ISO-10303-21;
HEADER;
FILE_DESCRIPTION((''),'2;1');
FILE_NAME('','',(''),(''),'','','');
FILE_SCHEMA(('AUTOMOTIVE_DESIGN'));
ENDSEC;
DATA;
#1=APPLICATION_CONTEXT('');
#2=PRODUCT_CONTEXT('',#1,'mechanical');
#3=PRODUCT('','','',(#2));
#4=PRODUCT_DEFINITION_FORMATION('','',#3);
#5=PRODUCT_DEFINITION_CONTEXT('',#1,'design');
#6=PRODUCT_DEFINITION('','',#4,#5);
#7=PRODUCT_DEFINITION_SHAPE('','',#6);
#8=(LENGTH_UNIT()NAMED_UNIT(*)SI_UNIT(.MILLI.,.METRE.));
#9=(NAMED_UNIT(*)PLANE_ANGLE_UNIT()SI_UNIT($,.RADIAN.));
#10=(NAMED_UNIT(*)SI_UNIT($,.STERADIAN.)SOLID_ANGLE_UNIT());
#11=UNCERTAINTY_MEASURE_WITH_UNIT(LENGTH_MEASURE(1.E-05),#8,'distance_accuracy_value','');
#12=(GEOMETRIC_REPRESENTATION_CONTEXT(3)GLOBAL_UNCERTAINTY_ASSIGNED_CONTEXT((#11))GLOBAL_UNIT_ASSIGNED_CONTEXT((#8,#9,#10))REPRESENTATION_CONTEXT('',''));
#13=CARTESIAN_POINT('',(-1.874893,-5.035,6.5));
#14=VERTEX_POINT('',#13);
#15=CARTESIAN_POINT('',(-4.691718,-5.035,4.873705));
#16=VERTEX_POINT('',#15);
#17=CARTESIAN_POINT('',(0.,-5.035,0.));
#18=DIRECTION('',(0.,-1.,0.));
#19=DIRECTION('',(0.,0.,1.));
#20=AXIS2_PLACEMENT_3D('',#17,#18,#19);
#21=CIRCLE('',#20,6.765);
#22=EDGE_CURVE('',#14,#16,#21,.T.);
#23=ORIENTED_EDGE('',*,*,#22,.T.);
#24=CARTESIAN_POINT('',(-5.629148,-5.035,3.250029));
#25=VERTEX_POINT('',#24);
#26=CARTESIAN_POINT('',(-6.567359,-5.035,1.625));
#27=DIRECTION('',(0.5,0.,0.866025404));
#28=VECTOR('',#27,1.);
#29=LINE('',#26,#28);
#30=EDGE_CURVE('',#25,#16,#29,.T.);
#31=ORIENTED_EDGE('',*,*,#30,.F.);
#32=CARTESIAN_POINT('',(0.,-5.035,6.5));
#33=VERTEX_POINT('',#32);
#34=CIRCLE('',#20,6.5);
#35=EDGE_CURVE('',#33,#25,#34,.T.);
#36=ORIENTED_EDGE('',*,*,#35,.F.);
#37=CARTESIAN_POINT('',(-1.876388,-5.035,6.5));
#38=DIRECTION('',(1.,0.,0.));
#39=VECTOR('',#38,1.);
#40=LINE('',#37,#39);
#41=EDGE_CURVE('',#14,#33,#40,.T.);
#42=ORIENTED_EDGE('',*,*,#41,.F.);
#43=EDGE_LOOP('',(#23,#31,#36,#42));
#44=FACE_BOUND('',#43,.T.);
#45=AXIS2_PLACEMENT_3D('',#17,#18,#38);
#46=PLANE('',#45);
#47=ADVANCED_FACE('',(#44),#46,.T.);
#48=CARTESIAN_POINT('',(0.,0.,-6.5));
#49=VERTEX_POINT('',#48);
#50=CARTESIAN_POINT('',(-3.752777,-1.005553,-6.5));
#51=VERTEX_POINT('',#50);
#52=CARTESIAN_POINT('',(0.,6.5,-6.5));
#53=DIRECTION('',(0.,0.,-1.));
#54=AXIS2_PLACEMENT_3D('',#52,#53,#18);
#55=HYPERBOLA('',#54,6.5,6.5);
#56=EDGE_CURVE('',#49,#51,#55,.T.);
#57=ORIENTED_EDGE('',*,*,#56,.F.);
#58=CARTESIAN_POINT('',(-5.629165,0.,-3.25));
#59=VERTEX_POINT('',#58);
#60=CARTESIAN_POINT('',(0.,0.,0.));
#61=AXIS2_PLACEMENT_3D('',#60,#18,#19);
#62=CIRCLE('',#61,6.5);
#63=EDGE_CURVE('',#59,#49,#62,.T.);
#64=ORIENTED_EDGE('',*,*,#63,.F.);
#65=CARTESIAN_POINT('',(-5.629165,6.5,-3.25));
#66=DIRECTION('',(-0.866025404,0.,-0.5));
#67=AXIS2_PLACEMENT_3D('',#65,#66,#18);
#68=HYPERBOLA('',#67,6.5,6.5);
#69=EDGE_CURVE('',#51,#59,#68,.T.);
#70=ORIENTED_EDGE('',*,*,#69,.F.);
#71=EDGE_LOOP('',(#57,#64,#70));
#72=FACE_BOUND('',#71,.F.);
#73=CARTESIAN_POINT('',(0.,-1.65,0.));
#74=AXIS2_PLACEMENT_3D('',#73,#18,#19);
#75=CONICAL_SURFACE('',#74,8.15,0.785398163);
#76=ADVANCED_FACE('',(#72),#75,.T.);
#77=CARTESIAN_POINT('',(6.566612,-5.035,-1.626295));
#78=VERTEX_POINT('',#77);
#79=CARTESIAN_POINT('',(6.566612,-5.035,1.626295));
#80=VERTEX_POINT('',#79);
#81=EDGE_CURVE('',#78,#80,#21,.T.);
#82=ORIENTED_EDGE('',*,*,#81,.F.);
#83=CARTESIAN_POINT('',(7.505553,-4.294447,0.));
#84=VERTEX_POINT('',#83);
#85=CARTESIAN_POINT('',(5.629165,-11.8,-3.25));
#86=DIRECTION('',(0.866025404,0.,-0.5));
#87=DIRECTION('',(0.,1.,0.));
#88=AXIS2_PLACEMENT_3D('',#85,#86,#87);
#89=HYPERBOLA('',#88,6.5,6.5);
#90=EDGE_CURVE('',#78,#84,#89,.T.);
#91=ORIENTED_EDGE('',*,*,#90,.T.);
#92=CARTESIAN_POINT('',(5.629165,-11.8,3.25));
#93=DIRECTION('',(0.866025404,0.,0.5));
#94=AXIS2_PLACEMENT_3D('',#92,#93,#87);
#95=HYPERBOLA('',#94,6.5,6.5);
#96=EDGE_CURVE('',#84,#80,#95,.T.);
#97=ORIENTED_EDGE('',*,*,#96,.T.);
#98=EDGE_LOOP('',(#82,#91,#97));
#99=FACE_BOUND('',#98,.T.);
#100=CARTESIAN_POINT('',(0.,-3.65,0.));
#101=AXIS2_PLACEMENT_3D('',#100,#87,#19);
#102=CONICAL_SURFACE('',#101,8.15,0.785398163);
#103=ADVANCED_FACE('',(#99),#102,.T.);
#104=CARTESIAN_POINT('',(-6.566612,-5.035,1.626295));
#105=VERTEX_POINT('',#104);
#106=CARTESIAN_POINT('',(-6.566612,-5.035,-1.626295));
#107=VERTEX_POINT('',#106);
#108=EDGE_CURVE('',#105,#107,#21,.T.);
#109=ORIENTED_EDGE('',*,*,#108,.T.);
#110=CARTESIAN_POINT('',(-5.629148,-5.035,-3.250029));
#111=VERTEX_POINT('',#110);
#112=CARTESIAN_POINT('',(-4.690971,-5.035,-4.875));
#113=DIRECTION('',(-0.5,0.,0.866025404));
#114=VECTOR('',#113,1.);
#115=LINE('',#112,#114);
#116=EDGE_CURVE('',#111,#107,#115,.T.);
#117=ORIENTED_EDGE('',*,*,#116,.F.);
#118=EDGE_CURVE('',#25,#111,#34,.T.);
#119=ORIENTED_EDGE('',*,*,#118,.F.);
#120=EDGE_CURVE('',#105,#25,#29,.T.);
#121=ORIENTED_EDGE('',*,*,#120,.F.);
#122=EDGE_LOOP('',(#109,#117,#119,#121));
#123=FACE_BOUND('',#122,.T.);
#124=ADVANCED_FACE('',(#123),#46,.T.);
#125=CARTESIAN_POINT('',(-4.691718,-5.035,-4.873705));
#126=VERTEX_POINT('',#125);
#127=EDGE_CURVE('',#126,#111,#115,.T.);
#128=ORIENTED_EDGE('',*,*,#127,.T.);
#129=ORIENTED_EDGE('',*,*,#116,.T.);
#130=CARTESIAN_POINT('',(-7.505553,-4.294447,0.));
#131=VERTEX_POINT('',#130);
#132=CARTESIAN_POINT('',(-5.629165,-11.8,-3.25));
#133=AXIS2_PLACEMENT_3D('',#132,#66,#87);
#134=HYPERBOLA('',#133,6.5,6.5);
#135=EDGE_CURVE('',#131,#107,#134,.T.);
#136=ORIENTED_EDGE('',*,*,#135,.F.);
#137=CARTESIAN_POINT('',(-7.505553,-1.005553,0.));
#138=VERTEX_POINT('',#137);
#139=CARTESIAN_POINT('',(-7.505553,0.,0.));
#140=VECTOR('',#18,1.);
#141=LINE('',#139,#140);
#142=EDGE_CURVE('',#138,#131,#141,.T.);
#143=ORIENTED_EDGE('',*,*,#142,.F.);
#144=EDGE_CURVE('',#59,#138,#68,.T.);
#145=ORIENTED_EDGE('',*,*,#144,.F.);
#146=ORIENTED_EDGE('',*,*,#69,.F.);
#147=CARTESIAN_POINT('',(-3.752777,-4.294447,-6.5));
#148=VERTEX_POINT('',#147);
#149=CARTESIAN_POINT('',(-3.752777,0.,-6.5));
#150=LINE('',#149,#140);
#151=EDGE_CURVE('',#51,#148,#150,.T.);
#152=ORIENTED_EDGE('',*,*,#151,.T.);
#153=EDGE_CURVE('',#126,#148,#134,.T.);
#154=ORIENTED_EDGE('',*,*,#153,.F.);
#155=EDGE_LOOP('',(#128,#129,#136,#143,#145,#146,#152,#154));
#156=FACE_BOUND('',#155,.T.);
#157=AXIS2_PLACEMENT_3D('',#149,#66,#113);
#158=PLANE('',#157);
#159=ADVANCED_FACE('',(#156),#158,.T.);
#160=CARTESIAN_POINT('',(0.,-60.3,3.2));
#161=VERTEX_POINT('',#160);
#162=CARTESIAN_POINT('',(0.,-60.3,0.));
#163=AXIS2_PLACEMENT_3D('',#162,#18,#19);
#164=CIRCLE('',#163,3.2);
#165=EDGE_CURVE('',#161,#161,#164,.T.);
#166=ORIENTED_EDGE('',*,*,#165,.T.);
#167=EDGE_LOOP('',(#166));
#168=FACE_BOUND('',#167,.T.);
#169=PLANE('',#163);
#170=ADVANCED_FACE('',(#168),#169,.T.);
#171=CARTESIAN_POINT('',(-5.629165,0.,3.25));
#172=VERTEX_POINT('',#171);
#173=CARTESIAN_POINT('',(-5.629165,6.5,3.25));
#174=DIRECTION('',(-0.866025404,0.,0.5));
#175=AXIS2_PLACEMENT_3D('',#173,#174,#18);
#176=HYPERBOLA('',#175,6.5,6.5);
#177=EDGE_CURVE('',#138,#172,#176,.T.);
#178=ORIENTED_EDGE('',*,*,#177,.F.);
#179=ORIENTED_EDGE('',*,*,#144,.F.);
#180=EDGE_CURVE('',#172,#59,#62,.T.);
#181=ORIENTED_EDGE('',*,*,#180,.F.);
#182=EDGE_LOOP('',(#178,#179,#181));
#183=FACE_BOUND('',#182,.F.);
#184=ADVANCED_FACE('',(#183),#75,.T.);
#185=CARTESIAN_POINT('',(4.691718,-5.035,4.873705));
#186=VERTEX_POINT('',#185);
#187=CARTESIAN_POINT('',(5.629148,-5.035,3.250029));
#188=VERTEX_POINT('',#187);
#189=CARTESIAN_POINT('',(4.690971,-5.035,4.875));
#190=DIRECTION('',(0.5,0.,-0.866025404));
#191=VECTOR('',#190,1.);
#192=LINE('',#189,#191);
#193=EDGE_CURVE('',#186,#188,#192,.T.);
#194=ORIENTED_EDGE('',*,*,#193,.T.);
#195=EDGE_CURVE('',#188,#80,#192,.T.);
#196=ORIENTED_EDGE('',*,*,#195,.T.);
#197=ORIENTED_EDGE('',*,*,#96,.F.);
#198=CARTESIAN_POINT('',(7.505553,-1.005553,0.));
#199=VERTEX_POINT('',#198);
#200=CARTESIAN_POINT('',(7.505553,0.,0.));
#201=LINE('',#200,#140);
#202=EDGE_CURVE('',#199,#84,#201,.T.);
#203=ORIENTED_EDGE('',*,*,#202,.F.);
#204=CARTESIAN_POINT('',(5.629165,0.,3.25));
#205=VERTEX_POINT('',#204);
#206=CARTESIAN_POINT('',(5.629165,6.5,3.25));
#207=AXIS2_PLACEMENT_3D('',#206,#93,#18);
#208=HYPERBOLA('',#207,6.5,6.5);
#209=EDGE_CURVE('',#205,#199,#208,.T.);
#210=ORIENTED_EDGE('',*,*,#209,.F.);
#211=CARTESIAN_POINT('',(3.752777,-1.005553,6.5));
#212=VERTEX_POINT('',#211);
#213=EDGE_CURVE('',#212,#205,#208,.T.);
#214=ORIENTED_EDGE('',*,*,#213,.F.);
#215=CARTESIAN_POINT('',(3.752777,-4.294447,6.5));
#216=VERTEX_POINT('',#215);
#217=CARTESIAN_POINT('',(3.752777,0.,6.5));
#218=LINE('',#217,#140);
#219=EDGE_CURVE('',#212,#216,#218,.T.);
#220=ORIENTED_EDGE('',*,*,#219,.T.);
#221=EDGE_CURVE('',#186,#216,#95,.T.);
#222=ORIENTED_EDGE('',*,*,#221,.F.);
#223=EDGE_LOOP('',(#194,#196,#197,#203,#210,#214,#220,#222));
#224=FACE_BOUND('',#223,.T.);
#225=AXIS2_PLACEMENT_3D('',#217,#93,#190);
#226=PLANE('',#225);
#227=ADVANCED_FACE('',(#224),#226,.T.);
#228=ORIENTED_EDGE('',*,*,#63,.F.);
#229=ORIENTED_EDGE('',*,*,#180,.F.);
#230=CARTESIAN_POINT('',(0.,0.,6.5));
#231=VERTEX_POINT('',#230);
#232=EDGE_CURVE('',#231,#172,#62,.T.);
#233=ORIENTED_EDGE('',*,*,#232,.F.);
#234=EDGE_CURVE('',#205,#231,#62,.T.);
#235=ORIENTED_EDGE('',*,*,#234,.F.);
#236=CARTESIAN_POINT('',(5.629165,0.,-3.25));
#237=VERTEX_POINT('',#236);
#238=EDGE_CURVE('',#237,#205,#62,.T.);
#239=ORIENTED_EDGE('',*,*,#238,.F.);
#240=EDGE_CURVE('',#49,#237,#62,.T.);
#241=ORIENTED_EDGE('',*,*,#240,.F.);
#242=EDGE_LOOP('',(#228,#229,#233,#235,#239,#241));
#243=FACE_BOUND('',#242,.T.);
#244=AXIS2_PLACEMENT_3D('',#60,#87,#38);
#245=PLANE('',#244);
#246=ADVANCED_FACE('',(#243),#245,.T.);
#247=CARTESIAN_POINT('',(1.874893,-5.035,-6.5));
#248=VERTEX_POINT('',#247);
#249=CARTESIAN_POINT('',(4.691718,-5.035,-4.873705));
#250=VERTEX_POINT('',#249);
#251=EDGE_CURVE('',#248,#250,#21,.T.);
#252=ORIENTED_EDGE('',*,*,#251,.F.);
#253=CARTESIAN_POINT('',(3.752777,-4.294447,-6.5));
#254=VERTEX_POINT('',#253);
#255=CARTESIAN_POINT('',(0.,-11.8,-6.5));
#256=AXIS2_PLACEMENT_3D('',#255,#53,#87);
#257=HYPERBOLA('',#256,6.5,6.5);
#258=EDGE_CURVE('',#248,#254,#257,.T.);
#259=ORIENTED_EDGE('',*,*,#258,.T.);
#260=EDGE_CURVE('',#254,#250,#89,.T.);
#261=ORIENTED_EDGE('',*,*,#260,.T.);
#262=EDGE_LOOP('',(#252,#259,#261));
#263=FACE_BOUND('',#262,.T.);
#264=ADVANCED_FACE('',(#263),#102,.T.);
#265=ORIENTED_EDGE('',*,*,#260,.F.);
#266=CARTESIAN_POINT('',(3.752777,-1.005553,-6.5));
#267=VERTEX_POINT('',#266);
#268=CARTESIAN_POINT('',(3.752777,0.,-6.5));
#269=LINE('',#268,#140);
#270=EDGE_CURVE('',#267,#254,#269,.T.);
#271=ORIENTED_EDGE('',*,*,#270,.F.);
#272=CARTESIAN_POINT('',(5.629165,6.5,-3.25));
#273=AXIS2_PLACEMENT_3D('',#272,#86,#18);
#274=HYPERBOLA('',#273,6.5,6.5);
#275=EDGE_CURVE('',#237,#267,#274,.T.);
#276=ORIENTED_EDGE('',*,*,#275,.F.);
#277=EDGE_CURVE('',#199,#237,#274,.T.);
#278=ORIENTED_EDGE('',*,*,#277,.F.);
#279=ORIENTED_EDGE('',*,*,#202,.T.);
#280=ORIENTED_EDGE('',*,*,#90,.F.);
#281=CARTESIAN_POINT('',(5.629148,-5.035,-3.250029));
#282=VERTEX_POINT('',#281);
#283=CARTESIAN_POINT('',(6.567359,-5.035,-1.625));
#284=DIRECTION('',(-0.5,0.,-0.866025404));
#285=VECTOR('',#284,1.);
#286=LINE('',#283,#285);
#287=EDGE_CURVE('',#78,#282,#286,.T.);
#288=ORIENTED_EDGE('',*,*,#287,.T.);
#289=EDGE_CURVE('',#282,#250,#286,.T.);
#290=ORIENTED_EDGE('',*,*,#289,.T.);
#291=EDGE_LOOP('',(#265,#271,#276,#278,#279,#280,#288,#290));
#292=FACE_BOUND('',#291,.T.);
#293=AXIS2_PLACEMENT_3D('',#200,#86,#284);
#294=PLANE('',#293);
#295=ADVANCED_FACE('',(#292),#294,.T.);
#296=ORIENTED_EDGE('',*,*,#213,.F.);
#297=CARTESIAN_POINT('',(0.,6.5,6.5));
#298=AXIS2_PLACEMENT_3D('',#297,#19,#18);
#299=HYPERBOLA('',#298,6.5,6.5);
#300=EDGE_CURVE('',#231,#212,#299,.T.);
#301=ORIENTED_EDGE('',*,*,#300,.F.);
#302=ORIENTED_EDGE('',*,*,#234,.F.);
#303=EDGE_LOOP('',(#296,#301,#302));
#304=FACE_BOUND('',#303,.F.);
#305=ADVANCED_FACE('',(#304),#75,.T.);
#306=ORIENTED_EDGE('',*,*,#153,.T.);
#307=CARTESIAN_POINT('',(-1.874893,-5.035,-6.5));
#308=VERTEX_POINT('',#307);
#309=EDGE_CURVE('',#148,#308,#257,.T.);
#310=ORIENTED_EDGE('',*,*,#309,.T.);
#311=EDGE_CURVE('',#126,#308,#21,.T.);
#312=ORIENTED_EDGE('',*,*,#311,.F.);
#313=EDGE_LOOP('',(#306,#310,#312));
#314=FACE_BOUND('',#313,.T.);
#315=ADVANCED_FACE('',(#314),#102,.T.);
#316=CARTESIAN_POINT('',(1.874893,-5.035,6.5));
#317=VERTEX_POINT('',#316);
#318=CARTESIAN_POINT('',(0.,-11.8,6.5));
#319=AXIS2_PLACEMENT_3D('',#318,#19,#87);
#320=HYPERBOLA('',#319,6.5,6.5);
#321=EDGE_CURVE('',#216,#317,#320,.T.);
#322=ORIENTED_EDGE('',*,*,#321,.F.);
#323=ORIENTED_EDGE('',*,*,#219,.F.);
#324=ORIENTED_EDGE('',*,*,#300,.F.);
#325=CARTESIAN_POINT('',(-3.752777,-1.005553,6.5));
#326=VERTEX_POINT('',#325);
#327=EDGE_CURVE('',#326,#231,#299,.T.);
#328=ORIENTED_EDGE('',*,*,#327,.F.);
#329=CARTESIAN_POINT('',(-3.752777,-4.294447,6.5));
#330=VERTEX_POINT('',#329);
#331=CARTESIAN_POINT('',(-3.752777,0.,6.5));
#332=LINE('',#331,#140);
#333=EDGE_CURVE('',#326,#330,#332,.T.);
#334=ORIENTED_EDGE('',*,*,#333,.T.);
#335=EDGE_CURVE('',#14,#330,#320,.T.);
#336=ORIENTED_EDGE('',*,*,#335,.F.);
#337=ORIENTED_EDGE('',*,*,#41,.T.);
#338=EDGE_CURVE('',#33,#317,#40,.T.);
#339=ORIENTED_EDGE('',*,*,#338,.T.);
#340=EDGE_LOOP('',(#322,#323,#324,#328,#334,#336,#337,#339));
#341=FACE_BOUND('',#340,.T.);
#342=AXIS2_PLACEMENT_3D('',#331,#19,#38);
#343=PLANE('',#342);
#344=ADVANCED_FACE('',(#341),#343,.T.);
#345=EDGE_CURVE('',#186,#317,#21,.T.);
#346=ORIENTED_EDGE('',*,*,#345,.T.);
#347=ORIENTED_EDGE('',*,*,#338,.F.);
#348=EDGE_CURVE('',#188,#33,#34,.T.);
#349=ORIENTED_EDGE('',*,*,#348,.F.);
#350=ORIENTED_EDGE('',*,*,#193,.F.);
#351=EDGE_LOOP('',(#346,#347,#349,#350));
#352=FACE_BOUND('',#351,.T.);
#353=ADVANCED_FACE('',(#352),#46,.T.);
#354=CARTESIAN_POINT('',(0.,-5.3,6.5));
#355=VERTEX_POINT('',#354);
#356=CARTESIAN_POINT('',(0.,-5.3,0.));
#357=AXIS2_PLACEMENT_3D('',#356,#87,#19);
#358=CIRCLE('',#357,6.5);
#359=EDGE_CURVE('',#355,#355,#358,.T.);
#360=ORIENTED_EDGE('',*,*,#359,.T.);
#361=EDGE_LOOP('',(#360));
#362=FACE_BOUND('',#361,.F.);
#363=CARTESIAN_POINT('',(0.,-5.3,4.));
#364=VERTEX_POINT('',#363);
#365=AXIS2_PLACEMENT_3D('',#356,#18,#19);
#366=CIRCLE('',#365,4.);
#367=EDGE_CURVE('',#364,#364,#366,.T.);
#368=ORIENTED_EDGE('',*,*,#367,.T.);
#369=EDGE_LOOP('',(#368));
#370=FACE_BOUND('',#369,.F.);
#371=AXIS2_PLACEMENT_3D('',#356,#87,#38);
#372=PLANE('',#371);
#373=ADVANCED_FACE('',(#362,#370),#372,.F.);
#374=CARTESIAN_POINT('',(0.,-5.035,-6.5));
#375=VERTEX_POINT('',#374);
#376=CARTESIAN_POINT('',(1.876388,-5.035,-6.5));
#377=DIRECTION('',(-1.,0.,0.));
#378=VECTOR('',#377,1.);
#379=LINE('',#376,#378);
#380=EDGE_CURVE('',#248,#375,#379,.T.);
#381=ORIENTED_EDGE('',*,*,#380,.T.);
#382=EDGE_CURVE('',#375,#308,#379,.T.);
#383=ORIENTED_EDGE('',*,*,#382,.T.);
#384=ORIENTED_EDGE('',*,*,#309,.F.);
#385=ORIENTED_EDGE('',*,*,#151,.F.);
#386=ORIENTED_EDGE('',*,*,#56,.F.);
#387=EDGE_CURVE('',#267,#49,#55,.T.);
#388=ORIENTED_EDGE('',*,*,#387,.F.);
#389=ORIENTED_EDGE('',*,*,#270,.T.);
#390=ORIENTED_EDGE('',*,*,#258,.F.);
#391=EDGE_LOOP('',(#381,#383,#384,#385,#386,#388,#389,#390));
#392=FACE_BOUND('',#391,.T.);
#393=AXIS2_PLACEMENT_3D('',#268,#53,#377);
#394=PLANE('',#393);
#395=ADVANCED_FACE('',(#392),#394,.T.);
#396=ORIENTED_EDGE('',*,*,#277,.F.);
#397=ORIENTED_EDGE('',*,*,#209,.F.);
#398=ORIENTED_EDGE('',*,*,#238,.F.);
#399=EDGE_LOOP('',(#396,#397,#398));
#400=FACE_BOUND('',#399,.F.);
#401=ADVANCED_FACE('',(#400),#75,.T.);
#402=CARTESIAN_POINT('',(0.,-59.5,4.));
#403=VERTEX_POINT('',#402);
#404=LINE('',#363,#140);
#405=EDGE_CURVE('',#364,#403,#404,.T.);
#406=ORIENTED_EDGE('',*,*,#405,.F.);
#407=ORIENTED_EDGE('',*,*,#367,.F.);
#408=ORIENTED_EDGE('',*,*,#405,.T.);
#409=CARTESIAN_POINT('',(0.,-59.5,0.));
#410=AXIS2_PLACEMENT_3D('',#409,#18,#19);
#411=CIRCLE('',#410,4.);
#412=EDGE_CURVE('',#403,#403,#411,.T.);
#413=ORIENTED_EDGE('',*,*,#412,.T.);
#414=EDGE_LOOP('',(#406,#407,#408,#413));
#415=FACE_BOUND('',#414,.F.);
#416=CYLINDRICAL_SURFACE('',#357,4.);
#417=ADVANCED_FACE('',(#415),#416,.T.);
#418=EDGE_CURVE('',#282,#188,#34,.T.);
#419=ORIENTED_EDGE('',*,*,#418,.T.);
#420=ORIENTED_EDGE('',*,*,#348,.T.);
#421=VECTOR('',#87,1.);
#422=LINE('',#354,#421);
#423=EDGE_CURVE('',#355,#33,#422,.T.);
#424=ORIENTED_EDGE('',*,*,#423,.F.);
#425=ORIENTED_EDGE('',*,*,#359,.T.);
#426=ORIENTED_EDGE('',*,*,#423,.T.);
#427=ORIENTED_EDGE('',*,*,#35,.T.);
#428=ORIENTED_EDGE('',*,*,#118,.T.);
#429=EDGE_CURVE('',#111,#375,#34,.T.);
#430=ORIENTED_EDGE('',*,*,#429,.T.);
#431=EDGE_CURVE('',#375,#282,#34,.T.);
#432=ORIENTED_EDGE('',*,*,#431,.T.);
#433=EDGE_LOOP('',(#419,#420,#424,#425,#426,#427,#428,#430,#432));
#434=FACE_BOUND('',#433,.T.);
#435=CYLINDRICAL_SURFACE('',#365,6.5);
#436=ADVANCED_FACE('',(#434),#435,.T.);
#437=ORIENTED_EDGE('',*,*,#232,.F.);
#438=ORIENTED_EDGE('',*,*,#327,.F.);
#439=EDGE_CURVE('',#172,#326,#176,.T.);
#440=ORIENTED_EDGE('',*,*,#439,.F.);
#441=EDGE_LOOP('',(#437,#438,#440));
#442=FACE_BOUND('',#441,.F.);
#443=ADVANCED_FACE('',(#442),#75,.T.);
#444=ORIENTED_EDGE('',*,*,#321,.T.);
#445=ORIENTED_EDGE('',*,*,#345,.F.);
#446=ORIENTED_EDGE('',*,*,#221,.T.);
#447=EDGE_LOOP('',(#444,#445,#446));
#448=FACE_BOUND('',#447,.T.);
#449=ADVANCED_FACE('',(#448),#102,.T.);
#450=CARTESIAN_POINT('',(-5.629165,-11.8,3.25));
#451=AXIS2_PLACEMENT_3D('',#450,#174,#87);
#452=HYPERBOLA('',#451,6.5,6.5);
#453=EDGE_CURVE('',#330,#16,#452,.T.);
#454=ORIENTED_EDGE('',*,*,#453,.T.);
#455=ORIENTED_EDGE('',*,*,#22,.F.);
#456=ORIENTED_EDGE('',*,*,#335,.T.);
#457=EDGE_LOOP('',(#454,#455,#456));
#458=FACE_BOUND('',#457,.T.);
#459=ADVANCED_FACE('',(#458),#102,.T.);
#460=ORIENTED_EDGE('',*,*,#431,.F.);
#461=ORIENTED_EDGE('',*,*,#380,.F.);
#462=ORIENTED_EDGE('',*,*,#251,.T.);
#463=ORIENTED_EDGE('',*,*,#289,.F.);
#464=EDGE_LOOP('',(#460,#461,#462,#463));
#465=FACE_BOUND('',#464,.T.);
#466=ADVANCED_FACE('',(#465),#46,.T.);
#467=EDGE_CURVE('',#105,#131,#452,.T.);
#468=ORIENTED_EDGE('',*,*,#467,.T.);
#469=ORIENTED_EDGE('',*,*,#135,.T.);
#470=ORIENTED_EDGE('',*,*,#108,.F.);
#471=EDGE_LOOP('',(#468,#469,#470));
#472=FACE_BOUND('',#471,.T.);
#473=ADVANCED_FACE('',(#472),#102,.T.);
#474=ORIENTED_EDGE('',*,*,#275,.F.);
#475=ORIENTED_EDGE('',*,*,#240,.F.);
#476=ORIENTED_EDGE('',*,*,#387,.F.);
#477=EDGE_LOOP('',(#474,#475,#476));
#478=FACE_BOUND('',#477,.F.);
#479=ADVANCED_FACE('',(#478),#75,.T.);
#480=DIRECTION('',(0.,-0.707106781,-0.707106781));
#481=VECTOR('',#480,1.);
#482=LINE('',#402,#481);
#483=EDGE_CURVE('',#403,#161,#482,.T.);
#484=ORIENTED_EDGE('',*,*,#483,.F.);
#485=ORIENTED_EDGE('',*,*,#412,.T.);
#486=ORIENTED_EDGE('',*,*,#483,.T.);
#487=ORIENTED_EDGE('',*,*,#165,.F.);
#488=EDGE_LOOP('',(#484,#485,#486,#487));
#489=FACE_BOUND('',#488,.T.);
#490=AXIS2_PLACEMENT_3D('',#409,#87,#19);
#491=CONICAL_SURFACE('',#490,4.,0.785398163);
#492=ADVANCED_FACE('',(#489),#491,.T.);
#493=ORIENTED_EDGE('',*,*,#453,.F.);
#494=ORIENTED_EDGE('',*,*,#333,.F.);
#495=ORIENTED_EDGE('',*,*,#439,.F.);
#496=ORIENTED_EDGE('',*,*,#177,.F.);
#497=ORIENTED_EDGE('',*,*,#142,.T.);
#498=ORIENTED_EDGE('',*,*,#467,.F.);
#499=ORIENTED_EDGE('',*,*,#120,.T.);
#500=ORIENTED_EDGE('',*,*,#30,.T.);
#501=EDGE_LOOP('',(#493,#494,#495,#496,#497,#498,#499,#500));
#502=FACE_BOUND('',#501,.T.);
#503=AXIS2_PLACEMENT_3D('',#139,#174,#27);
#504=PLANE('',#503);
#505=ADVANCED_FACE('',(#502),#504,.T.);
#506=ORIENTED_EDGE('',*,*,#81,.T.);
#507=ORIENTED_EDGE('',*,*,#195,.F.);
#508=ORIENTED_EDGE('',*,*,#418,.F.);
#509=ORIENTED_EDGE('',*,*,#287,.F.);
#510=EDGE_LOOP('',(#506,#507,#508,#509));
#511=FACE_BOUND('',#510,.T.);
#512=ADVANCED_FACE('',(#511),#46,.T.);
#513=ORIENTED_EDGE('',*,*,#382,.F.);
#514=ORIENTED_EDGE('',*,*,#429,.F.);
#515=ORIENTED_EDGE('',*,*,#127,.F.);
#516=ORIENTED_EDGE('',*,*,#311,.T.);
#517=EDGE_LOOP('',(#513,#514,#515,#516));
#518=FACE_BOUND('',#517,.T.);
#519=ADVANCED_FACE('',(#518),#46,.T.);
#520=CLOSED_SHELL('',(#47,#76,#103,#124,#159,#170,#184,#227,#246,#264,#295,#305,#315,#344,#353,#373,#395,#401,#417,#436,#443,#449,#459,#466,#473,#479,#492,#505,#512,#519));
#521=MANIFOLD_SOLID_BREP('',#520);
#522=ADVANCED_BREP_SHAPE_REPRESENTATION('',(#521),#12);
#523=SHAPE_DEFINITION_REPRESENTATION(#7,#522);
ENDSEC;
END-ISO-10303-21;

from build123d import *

# Parameters (mm, degrees)
BOSS_EXTRUDE1_DEPTH = 5.3
SKETCH2_OUTSIDE_W   = 21.122
SKETCH2_OUTSIDE_H   = 19.11
SKETCH2_OUTSIDE_R   = 6.5
CUT_EXTRUDE1_DEPTH  = 0.265
SKETCH3_R           = 4
BOSS_EXTRUDE2_DEPTH = 55
CHAMFER1_SIZE       = 0.8


with BuildPart() as part:
    # Sketch1 → Boss-Extrude1 (new body)
    with BuildSketch(Plane(origin=(0, 0, 0), x_dir=(1, 0, 0), z_dir=(0, 1, 0))):
        Polygon((7.505553499, 0), (3.75277675, 6.5), (-3.75277675, 6.5), (-7.505553499, 0), (-3.75277675, -6.5), (3.75277675, -6.5), align=None)
    extrude(amount=-BOSS_EXTRUDE1_DEPTH)

    # Sketch4 → Cut-Revolve1 (revolve, cut)
    with BuildSketch(Plane(origin=(0, 0, 0), x_dir=(0, 0, -1), z_dir=(1, 0, 0))):
        Polygon((-6.5, 0), (-8.15, 0), (-8.15, -1.65), align=None)
        Polygon((-8.15, -3.65), (-6.5, -5.3), (-8.15, -5.3), align=None)
    revolve(axis=Axis((0, 0, 0), (0, -1, 0)), mode=Mode.SUBTRACT)

    # Sketch2 outside → Cut-Extrude1 (cut)
    with BuildSketch(Plane.XZ.offset(5.3)):
        Rectangle(SKETCH2_OUTSIDE_W, SKETCH2_OUTSIDE_H)
        with Locations(Location((0, 0, 0), (0, 0, 90))):
            Circle(SKETCH2_OUTSIDE_R, mode=Mode.SUBTRACT)
    extrude(amount=-CUT_EXTRUDE1_DEPTH, mode=Mode.SUBTRACT)

    # Sketch3 → Boss-Extrude2 (add)
    with BuildSketch(Plane.XZ.offset(5.3)):
        with Locations(Location((0, 0, 0), (0, 0, 90))):
            Circle(SKETCH3_R)
    extrude(amount=BOSS_EXTRUDE2_DEPTH)

    # Chamfer1
    chamfer1_edges = [part.edges().sort_by_distance(p)[0] for p in [
        (0, -60.3, -4),
    ]]
    chamfer(chamfer1_edges, length=CHAMFER1_SIZE)


solid = part.part
